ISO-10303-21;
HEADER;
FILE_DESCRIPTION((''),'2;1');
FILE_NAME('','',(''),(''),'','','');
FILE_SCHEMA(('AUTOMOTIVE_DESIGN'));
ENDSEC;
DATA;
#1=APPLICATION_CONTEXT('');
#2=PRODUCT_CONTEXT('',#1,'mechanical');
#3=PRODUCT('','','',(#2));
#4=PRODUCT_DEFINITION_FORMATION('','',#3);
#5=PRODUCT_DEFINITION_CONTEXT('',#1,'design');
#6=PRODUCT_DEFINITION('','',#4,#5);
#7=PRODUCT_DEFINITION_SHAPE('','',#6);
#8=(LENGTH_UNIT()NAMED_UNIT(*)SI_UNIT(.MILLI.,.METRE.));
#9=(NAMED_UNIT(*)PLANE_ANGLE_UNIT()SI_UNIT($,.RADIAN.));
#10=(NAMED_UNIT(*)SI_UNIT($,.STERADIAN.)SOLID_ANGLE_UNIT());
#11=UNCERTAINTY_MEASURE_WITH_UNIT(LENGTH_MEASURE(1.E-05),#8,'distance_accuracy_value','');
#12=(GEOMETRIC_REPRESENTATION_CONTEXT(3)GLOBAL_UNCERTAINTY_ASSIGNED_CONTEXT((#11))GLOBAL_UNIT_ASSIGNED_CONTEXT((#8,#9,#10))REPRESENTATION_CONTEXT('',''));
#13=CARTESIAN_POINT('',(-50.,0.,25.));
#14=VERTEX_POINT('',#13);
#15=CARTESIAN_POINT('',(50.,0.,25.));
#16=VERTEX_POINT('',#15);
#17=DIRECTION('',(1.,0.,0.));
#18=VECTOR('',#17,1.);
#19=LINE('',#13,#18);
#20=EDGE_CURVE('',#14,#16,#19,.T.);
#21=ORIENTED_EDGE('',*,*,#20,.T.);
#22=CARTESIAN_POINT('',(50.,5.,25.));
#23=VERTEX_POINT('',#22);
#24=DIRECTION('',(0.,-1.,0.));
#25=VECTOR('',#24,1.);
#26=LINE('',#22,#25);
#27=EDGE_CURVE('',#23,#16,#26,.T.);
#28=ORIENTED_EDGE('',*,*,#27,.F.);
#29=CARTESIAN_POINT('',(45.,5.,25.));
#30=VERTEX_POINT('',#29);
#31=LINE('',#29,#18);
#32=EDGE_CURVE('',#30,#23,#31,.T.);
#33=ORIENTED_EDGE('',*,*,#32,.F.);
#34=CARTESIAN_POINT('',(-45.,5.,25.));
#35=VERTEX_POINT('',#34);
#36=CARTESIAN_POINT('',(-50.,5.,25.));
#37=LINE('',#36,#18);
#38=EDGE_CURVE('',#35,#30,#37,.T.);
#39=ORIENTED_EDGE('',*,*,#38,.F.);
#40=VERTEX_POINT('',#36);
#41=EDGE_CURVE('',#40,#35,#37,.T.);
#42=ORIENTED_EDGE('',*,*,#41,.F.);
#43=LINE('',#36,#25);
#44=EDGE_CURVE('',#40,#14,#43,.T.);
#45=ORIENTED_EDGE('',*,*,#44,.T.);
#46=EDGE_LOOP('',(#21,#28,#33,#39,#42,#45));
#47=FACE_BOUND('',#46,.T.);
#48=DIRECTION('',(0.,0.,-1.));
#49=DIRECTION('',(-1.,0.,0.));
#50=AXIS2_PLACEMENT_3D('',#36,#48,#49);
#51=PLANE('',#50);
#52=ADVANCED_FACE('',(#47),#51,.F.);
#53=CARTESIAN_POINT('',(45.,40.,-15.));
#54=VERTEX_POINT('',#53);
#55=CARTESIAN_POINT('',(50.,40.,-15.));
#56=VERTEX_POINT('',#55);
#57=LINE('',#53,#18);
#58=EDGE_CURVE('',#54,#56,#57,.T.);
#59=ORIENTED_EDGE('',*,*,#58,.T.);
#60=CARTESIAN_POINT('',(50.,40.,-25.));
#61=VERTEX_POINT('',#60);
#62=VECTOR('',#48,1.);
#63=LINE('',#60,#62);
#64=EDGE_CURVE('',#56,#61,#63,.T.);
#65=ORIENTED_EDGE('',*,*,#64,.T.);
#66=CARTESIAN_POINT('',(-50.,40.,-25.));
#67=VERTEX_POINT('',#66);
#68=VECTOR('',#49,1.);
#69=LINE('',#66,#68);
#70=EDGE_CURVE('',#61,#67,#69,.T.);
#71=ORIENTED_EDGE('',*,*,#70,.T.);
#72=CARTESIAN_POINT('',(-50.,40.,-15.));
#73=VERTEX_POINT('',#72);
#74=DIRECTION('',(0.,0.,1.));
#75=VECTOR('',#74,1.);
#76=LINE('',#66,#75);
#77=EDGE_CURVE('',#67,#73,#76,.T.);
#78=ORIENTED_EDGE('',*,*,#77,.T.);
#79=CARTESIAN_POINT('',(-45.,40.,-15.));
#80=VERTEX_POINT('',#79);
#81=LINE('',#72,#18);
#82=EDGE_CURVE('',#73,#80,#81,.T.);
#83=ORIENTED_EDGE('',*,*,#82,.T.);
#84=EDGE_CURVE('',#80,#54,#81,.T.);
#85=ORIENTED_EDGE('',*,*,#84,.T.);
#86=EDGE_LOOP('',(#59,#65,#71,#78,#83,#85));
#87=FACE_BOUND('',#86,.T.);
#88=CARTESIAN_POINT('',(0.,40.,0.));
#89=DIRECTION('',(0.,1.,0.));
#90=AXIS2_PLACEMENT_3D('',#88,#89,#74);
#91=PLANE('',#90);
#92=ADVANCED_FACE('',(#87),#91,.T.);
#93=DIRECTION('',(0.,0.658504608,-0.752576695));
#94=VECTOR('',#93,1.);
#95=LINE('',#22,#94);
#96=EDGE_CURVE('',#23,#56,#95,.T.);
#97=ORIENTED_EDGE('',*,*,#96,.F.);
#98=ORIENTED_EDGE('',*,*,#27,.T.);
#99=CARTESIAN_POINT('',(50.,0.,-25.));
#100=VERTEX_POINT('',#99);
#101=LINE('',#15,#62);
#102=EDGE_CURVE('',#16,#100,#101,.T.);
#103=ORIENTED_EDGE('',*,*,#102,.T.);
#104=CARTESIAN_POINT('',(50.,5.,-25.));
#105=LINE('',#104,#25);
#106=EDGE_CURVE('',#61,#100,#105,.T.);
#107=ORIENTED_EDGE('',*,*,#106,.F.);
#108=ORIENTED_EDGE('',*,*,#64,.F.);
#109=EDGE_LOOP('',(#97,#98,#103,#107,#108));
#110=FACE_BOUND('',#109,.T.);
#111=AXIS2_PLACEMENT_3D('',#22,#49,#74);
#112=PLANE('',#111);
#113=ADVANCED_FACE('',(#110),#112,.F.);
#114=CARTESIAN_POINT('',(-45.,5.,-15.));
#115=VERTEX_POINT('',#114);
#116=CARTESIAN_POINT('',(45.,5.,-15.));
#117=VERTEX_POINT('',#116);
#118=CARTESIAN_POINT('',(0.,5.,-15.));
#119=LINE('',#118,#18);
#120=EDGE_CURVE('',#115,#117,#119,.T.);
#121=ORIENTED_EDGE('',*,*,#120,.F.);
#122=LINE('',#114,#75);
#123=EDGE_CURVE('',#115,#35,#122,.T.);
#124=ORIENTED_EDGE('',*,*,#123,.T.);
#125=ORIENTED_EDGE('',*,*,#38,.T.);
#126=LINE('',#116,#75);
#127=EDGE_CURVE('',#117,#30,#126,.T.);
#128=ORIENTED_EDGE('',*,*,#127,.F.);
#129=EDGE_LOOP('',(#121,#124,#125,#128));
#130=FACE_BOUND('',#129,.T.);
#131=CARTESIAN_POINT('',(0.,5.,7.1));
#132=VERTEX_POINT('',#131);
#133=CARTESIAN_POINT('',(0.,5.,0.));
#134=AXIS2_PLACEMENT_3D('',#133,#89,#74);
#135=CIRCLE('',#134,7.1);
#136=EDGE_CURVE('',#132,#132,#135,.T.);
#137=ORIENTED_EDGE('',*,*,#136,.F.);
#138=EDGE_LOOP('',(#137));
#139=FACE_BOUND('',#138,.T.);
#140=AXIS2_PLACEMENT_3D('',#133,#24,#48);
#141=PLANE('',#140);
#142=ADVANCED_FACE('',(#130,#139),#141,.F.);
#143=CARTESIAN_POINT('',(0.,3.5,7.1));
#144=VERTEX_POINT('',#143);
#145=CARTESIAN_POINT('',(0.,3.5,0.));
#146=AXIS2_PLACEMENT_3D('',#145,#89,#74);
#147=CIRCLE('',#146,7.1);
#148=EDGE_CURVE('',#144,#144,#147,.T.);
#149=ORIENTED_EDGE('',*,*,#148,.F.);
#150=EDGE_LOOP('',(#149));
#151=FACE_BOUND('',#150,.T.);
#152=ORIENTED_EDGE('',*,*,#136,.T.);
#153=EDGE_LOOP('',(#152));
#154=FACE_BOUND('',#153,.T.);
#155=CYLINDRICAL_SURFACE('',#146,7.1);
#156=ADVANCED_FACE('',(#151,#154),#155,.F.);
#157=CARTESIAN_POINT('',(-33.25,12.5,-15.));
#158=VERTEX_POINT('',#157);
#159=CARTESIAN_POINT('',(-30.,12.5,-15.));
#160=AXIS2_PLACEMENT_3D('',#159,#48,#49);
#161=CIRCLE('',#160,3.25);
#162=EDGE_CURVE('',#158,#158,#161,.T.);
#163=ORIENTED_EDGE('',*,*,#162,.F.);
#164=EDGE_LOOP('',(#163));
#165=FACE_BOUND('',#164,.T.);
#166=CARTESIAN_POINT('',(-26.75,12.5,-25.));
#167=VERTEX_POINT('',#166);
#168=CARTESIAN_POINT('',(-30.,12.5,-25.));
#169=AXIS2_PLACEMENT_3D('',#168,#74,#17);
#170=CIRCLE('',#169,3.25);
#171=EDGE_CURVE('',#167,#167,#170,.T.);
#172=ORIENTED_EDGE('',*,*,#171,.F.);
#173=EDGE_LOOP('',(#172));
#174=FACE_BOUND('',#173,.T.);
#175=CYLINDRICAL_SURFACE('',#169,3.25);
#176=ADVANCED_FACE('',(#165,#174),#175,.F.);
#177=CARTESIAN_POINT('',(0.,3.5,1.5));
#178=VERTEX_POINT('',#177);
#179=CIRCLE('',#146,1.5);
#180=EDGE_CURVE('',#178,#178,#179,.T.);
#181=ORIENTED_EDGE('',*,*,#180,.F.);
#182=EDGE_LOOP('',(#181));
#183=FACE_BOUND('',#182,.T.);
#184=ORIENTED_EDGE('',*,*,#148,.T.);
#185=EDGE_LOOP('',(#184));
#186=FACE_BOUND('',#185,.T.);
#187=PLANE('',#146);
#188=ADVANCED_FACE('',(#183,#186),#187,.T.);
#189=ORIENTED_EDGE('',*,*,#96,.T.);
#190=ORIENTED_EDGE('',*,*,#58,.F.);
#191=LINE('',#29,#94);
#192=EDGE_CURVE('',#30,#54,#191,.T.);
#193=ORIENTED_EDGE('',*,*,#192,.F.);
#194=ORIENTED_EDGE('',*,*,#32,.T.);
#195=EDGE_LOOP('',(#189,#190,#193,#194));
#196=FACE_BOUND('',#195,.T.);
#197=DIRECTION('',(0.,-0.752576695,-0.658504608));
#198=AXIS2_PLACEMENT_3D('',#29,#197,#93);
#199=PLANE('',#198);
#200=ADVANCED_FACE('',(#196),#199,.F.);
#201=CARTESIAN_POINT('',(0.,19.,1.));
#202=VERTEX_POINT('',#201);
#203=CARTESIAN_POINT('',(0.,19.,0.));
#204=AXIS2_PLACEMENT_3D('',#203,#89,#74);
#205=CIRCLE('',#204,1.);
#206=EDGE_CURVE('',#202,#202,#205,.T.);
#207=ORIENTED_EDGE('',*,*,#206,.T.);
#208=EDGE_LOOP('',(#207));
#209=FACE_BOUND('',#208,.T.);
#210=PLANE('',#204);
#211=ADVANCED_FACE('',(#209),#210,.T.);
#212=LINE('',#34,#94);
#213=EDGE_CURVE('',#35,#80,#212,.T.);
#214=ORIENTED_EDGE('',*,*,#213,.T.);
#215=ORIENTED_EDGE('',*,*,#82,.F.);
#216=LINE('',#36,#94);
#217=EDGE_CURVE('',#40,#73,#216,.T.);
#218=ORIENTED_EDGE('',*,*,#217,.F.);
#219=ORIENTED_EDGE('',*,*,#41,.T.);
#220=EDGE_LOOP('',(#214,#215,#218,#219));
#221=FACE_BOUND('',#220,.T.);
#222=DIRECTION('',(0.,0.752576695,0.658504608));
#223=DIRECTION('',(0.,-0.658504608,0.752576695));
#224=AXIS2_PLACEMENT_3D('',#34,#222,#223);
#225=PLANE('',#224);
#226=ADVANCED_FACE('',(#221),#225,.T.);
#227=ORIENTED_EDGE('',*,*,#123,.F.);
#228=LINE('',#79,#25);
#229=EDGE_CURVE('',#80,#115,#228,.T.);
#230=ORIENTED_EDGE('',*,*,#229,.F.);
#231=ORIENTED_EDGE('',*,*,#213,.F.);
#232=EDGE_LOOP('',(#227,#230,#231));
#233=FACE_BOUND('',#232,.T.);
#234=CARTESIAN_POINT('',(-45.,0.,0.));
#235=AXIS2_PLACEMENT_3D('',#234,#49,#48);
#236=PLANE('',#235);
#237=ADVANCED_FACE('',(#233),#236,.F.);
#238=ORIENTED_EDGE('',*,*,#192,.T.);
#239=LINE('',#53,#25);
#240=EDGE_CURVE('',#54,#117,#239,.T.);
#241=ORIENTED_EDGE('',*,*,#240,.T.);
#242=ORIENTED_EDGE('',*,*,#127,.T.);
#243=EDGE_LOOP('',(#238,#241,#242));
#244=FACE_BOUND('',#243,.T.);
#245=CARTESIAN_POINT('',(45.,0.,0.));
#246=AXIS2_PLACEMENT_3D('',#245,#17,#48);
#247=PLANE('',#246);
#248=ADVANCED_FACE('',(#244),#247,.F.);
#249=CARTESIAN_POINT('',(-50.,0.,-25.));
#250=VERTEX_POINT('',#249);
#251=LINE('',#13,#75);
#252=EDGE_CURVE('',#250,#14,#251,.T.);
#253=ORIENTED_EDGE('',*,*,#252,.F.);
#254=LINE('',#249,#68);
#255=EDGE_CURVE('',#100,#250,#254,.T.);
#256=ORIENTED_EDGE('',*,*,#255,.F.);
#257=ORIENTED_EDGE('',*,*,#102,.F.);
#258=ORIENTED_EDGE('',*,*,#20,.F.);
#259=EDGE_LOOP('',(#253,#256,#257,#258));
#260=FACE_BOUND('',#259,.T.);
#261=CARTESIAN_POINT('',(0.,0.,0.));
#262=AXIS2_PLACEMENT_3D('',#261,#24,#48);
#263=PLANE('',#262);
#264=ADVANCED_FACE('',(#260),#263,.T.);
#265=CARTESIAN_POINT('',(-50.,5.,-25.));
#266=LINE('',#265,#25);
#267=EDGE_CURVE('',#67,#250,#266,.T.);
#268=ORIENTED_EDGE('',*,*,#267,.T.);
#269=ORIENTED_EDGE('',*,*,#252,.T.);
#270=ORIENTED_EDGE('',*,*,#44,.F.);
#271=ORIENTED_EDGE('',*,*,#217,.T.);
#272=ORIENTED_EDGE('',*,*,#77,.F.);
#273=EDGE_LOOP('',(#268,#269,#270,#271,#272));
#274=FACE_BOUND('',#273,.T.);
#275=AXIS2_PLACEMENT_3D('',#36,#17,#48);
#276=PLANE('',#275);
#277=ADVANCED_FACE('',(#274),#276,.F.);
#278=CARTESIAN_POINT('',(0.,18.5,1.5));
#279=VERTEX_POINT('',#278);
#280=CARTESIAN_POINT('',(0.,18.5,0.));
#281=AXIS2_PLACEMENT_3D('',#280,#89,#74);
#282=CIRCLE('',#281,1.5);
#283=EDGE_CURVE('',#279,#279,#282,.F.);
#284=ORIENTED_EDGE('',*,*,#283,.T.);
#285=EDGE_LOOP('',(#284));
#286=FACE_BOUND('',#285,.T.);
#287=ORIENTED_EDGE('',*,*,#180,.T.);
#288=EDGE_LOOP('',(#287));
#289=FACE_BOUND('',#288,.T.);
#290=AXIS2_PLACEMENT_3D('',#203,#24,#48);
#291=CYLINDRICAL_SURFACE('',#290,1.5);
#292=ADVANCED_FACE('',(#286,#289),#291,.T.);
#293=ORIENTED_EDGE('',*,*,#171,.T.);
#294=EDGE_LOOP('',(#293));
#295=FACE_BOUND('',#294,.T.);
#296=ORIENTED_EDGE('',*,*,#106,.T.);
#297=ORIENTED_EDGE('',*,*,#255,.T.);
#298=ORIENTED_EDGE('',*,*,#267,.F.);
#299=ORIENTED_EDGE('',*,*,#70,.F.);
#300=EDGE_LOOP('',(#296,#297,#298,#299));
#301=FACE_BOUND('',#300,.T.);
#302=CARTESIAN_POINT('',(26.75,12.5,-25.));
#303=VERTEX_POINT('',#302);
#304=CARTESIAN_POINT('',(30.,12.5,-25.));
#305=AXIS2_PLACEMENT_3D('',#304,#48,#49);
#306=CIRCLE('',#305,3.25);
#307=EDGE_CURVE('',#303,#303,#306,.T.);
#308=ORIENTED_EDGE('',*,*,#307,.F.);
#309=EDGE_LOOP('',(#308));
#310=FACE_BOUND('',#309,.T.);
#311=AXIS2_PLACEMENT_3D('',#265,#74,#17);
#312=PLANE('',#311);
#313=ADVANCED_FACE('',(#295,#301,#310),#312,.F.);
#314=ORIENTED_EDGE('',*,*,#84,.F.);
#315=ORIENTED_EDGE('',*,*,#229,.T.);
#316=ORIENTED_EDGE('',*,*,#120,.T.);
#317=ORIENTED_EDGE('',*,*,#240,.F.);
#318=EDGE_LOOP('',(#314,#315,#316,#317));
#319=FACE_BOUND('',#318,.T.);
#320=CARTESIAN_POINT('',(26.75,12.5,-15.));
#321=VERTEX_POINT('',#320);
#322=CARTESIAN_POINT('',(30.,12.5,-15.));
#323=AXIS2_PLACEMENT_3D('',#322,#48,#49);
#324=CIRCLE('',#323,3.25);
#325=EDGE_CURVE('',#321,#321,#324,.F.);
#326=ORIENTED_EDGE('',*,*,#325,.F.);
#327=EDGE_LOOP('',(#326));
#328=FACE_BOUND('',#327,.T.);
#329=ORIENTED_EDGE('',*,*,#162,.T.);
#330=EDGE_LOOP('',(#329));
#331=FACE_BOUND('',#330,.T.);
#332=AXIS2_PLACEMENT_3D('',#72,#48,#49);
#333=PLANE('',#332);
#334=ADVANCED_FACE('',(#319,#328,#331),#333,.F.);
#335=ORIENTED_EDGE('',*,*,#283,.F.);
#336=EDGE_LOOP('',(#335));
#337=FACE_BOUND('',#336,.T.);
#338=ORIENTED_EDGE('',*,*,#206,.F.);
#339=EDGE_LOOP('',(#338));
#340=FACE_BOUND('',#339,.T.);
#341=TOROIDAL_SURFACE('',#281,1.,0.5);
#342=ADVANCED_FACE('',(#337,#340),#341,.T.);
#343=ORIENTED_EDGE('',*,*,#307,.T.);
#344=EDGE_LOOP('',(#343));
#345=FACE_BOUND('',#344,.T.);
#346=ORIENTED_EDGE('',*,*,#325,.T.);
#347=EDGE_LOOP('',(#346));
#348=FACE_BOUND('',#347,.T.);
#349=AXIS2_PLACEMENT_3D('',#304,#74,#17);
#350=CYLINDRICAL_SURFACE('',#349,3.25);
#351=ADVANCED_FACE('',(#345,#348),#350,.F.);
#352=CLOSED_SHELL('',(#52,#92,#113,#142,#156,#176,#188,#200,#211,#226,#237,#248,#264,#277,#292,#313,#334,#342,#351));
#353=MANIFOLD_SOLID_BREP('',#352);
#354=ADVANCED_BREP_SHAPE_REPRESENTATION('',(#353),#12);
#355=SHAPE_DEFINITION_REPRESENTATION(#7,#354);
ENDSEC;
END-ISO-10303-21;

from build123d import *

# Parameters (mm, degrees)
SKETCH1_W               = 100
SKETCH1_H               = 50
BOSS_EXTRUDE1_DEPTH     = 5
SKETCH2_W               = 100
SKETCH2_H               = 10
BOSS_EXTRUDE2_DEPTH     = 40
CUT_EXTRUDE1_DEPTH      = 76.498344353
CUT_EXTRUDE1_DEPTH_BACK = 76.498344353
SKETCH4_3_R             = 3.25
CUT_EXTRUDE2_DEPTH      = 76.498344353
CUT_EXTRUDE2_DEPTH_BACK = 76.498344353
SKETCH4_R               = 3.25
BOSS_EXTRUDE5_DEPTH     = 5
SKETCH9_R               = 7.1
CUT_EXTRUDE3_DEPTH      = 1.5
SKETCH10_R              = 1.5
BOSS_EXTRUDE6_DEPTH     = 15.5
FILLET1_R               = 0.5


with BuildPart() as part:
    # Sketch1 → Boss-Extrude1 (new body)
    with BuildSketch(Plane(origin=(0, 0, 0), x_dir=(1, 0, 0), z_dir=(0, 1, 0))):
        Rectangle(SKETCH1_W, SKETCH1_H)
    extrude(amount=BOSS_EXTRUDE1_DEPTH)

    # Sketch2 → Boss-Extrude2 (add)
    with BuildSketch(Plane(origin=(0, 0, 0), x_dir=(1, 0, 0), z_dir=(0, 1, 0))):
        with Locations((0, 20)):
            Rectangle(SKETCH2_W, SKETCH2_H)
    extrude(amount=BOSS_EXTRUDE2_DEPTH)

    # Sketch4<3> → Cut-Extrude1 (cut, two sides: drawn at the far end of the back side and taken through both)
    with BuildSketch(Plane.XY.offset(-15).offset(-CUT_EXTRUDE1_DEPTH_BACK)):
        with Locations((-30, 12.5)):
            Circle(SKETCH4_3_R)
    extrude(amount=CUT_EXTRUDE1_DEPTH + CUT_EXTRUDE1_DEPTH_BACK, mode=Mode.SUBTRACT)

    # Sketch4 → Cut-Extrude2 (cut, two sides: drawn at the far end of the back side and taken through both)
    with BuildSketch(Plane.XY.offset(-15).offset(-CUT_EXTRUDE2_DEPTH_BACK)):
        with Locations((30, 12.5)):
            Circle(SKETCH4_R)
    extrude(amount=CUT_EXTRUDE2_DEPTH + CUT_EXTRUDE2_DEPTH_BACK, mode=Mode.SUBTRACT)

    # Sketch8 → Boss-Extrude5 (add)
    with BuildSketch(Plane(origin=(50, 0, 0), x_dir=(0, 0, -1), z_dir=(1, 0, 0))):
        Polygon((15, 40), (15, 5), (-25, 5), align=None)
    boss_extrude5 = extrude(amount=-BOSS_EXTRUDE5_DEPTH)

    # Mirror1: Boss-Extrude5 across plane
    add(boss_extrude5.mirror(Plane(origin=(0, 0, 0), x_dir=(0, 0, 1), z_dir=(1, 0, 0))))

    # Sketch9 → Cut-Extrude3 (cut)
    with BuildSketch(Plane(origin=(0, 5, 0), x_dir=(1, 0, 0), z_dir=(0, 1, 0))):
        Circle(SKETCH9_R)
    extrude(amount=-CUT_EXTRUDE3_DEPTH, mode=Mode.SUBTRACT)

    # Sketch10 → Boss-Extrude6 (add)
    with BuildSketch(Plane(origin=(0, 3.5, 0), x_dir=(1, 0, 0), z_dir=(0, 1, 0))):
        Circle(SKETCH10_R)
    extrude(amount=BOSS_EXTRUDE6_DEPTH)

    # Fillet1
    fillet1_edges = [part.edges().sort_by_distance(p)[0] for p in [
        (-1.5, 19, 0),
    ]]
    fillet(fillet1_edges, radius=FILLET1_R)


solid = part.part
